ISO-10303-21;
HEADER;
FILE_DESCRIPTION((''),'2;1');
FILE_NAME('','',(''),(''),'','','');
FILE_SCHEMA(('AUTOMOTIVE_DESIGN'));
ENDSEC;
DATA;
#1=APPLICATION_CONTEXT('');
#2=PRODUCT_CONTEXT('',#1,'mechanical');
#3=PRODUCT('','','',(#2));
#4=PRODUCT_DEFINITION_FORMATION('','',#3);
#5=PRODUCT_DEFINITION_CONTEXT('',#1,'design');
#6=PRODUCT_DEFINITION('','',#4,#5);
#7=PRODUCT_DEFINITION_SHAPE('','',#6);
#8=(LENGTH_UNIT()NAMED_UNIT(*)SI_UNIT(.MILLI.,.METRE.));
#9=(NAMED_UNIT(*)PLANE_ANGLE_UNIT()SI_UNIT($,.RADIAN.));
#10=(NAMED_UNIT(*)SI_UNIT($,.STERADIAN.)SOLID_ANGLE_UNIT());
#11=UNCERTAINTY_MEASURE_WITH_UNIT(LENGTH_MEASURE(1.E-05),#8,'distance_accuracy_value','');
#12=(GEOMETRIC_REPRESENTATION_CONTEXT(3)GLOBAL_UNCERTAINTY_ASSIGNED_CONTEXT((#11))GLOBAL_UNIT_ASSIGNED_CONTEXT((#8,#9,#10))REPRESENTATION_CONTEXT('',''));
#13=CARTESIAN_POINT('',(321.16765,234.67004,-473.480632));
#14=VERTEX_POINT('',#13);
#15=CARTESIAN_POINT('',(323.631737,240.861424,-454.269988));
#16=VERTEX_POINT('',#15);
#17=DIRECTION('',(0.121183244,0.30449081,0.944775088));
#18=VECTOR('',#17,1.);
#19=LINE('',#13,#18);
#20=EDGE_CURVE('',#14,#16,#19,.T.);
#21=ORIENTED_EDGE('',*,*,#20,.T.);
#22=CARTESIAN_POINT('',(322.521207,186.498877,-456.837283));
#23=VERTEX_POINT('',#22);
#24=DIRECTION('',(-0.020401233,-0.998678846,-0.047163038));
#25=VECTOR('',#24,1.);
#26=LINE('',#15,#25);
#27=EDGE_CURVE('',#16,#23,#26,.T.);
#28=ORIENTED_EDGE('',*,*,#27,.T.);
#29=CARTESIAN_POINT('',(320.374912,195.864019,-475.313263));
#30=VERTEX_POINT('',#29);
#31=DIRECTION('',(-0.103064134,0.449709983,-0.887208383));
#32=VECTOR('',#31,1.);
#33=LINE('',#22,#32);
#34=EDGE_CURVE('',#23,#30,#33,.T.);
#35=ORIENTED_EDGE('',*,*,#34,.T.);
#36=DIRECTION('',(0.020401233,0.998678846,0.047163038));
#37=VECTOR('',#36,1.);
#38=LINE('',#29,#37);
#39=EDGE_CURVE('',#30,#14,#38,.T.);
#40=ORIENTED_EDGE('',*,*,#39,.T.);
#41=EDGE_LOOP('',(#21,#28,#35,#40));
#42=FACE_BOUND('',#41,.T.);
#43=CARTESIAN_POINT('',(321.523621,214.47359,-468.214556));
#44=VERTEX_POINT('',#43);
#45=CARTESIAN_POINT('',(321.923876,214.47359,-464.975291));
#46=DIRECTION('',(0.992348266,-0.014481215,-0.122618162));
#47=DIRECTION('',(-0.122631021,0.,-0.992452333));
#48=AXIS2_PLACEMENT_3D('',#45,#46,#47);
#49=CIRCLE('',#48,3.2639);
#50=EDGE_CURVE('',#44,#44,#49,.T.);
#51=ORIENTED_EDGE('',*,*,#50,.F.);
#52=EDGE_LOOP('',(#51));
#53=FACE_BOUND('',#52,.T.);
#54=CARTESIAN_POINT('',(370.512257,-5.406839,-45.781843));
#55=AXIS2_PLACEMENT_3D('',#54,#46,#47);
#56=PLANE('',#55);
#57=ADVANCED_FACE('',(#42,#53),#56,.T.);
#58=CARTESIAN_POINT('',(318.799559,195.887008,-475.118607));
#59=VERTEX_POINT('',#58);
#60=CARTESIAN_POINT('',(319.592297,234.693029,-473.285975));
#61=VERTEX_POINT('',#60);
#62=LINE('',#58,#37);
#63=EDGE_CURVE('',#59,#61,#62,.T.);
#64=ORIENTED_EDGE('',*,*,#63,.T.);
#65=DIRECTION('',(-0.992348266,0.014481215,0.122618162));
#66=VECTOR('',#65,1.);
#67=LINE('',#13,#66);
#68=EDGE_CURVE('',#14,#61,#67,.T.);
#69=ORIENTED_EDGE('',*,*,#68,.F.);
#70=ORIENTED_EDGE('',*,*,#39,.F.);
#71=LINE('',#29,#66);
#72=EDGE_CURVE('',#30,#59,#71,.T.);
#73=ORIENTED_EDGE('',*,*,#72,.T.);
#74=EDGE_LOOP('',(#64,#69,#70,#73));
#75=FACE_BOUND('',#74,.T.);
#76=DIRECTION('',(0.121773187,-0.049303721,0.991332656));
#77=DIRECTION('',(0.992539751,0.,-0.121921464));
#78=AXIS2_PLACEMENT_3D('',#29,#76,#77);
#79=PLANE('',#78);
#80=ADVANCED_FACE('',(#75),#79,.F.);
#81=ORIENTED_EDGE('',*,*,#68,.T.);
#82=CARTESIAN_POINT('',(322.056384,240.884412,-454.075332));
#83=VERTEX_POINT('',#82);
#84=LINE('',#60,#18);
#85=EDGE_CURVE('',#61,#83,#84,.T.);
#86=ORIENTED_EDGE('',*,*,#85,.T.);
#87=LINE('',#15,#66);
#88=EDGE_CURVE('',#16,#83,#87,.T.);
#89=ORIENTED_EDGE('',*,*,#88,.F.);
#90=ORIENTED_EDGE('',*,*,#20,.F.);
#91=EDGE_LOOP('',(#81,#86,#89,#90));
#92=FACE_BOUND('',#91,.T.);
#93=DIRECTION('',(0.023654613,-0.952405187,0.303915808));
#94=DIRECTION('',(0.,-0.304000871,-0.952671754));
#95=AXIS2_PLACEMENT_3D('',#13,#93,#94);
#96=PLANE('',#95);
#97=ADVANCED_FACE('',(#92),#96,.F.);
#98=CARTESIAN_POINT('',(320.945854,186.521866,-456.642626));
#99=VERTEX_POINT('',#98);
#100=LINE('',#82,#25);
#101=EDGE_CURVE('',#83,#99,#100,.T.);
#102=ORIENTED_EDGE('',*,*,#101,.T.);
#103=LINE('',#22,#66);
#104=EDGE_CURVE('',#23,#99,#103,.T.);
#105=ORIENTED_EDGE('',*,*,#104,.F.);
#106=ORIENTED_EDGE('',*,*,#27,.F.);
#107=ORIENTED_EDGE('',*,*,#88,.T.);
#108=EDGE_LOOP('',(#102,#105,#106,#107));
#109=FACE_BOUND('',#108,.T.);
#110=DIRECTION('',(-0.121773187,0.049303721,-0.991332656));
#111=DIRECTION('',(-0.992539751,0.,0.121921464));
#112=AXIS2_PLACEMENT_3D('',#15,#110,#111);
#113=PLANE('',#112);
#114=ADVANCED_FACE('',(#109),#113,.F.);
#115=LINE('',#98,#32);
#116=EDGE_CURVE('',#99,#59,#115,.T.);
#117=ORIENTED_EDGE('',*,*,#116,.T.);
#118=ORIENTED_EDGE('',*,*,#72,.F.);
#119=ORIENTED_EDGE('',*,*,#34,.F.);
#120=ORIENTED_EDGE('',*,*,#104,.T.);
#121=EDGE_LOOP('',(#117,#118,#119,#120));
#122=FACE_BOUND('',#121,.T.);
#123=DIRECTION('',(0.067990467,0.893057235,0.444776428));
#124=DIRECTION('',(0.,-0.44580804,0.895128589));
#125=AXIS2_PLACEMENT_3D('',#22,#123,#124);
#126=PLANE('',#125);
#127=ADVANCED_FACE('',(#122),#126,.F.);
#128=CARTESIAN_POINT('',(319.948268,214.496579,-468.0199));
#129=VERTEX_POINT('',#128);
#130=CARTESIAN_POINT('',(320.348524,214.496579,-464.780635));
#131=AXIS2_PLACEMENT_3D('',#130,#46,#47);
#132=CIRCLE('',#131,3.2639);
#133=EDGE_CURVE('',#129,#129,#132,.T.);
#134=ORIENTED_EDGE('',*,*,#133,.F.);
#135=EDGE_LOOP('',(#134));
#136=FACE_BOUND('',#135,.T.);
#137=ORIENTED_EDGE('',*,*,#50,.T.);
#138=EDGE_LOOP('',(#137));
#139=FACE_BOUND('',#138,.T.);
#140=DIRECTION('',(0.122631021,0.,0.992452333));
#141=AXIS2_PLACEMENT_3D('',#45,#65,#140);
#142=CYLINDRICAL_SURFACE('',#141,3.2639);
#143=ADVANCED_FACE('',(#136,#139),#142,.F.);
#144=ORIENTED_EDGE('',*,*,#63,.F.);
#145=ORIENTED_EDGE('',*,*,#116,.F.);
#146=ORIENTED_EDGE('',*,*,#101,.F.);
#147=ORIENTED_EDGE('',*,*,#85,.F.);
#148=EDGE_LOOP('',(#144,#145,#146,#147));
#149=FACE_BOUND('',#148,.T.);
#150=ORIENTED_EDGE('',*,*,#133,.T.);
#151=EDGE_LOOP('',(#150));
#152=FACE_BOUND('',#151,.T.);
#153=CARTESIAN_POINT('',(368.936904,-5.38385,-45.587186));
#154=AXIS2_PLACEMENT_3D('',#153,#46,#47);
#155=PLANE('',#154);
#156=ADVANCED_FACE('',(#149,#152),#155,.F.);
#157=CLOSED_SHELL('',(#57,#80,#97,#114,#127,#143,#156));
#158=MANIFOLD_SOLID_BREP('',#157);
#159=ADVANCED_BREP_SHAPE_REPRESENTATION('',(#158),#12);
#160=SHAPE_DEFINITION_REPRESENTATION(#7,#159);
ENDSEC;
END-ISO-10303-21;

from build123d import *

# Parameters (mm, degrees)
SKETCH1_R           = 3.2639
BOSS_EXTRUDE1_DEPTH = 1.5875


with BuildPart() as part:
    # Sketch1 → Boss-Extrude1 (new body)
    with BuildSketch(Plane(origin=(368.936903679, -5.383850256, -45.587186199), x_dir=(-0.12260510858720207, 0.001789161069619477, -0.9924539214749405), z_dir=(0.9923482658198145, -0.014481214569019532, -0.12261816239453538))):
        Polygon((411.594066589, 245.557996517), (414.180881556, 191.185032904), (432.797343041, 200.517860894), (430.950777657, 239.331318274), align=None)
        with Locations(Location((422.380767211, 219.148052147, 0), (0, 0, 359.897477817))):
            Circle(SKETCH1_R, mode=Mode.SUBTRACT)
    extrude(amount=BOSS_EXTRUDE1_DEPTH)


solid = part.part
